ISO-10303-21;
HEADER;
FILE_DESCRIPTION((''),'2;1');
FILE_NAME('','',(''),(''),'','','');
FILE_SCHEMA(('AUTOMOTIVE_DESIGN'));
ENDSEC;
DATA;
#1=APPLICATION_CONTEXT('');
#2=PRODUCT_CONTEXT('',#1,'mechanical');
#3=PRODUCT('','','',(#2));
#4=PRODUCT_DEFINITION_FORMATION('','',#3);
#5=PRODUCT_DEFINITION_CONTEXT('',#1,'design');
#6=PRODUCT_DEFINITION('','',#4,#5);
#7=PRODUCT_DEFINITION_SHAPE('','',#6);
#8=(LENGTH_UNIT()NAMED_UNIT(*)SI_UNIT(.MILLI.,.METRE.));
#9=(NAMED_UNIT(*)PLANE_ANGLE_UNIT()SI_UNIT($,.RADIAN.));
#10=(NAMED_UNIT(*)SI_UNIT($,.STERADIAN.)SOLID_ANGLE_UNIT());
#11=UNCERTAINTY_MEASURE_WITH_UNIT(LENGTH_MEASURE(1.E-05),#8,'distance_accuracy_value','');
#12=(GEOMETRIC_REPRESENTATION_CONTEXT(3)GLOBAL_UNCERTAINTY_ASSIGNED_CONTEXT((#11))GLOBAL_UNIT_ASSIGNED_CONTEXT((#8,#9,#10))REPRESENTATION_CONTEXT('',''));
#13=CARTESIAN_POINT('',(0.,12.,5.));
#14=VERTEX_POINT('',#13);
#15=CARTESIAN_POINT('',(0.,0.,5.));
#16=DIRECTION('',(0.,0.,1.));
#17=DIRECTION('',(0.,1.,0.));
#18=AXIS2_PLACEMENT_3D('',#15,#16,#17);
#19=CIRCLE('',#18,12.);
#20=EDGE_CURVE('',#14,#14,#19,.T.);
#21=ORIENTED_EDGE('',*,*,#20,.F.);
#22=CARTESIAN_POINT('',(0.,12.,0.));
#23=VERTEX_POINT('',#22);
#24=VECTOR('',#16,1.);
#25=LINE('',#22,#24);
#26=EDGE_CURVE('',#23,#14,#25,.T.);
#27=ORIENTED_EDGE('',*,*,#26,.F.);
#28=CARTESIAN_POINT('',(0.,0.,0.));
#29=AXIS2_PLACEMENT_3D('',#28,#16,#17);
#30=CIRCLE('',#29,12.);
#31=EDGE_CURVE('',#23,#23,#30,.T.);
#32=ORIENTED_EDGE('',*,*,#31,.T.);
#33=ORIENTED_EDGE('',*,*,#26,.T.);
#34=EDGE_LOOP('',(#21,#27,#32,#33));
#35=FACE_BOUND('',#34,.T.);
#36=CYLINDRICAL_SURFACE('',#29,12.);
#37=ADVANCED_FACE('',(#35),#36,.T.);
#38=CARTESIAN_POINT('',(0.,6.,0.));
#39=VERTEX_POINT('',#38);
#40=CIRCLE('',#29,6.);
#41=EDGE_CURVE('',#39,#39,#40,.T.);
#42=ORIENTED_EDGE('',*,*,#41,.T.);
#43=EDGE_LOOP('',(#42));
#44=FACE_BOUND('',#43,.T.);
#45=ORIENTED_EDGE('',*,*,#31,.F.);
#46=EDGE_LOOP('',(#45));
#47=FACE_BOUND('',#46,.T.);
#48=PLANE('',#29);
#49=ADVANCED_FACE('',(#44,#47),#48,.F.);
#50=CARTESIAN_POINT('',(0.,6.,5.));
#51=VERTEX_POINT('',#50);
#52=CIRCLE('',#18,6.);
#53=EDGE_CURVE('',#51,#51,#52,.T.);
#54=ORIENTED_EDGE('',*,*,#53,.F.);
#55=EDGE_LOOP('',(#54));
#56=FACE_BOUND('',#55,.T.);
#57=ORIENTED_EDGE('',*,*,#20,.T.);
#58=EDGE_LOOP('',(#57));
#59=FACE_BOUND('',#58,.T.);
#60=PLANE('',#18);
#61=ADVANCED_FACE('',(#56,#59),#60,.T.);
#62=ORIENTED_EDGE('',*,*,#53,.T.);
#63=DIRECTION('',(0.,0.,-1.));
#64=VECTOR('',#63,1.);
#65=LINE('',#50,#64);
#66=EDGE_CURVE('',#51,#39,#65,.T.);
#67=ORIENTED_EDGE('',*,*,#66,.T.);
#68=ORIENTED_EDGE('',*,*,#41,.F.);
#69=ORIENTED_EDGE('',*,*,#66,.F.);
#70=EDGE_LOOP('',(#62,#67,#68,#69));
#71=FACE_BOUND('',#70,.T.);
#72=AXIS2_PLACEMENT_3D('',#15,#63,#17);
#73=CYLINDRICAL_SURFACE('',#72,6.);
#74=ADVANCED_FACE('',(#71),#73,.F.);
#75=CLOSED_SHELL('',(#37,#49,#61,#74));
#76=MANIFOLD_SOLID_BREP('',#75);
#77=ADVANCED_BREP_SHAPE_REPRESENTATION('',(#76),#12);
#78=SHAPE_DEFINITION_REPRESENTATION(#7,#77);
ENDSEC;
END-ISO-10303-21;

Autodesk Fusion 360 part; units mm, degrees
sketch "Sketch1" plane through (0, 0, 0) normal (1, 0, 0) x (0, 1, 0)
  line L0 (0, 0) -> (0, 5)
  line L1 (6, 0) -> (12, 0)
  line L2 (12, 0) -> (12, 5)
  line L3 (12, 5) -> (6, 5)
  line L4 (6, 5) -> (6, 0)
  dimension "d7" = 5
  dimension "d8" = 6
revolve "Revolve1" add sketch "Sketch1" angle 360 about axis through (0, 0, 0) along (0, 0, 1)
